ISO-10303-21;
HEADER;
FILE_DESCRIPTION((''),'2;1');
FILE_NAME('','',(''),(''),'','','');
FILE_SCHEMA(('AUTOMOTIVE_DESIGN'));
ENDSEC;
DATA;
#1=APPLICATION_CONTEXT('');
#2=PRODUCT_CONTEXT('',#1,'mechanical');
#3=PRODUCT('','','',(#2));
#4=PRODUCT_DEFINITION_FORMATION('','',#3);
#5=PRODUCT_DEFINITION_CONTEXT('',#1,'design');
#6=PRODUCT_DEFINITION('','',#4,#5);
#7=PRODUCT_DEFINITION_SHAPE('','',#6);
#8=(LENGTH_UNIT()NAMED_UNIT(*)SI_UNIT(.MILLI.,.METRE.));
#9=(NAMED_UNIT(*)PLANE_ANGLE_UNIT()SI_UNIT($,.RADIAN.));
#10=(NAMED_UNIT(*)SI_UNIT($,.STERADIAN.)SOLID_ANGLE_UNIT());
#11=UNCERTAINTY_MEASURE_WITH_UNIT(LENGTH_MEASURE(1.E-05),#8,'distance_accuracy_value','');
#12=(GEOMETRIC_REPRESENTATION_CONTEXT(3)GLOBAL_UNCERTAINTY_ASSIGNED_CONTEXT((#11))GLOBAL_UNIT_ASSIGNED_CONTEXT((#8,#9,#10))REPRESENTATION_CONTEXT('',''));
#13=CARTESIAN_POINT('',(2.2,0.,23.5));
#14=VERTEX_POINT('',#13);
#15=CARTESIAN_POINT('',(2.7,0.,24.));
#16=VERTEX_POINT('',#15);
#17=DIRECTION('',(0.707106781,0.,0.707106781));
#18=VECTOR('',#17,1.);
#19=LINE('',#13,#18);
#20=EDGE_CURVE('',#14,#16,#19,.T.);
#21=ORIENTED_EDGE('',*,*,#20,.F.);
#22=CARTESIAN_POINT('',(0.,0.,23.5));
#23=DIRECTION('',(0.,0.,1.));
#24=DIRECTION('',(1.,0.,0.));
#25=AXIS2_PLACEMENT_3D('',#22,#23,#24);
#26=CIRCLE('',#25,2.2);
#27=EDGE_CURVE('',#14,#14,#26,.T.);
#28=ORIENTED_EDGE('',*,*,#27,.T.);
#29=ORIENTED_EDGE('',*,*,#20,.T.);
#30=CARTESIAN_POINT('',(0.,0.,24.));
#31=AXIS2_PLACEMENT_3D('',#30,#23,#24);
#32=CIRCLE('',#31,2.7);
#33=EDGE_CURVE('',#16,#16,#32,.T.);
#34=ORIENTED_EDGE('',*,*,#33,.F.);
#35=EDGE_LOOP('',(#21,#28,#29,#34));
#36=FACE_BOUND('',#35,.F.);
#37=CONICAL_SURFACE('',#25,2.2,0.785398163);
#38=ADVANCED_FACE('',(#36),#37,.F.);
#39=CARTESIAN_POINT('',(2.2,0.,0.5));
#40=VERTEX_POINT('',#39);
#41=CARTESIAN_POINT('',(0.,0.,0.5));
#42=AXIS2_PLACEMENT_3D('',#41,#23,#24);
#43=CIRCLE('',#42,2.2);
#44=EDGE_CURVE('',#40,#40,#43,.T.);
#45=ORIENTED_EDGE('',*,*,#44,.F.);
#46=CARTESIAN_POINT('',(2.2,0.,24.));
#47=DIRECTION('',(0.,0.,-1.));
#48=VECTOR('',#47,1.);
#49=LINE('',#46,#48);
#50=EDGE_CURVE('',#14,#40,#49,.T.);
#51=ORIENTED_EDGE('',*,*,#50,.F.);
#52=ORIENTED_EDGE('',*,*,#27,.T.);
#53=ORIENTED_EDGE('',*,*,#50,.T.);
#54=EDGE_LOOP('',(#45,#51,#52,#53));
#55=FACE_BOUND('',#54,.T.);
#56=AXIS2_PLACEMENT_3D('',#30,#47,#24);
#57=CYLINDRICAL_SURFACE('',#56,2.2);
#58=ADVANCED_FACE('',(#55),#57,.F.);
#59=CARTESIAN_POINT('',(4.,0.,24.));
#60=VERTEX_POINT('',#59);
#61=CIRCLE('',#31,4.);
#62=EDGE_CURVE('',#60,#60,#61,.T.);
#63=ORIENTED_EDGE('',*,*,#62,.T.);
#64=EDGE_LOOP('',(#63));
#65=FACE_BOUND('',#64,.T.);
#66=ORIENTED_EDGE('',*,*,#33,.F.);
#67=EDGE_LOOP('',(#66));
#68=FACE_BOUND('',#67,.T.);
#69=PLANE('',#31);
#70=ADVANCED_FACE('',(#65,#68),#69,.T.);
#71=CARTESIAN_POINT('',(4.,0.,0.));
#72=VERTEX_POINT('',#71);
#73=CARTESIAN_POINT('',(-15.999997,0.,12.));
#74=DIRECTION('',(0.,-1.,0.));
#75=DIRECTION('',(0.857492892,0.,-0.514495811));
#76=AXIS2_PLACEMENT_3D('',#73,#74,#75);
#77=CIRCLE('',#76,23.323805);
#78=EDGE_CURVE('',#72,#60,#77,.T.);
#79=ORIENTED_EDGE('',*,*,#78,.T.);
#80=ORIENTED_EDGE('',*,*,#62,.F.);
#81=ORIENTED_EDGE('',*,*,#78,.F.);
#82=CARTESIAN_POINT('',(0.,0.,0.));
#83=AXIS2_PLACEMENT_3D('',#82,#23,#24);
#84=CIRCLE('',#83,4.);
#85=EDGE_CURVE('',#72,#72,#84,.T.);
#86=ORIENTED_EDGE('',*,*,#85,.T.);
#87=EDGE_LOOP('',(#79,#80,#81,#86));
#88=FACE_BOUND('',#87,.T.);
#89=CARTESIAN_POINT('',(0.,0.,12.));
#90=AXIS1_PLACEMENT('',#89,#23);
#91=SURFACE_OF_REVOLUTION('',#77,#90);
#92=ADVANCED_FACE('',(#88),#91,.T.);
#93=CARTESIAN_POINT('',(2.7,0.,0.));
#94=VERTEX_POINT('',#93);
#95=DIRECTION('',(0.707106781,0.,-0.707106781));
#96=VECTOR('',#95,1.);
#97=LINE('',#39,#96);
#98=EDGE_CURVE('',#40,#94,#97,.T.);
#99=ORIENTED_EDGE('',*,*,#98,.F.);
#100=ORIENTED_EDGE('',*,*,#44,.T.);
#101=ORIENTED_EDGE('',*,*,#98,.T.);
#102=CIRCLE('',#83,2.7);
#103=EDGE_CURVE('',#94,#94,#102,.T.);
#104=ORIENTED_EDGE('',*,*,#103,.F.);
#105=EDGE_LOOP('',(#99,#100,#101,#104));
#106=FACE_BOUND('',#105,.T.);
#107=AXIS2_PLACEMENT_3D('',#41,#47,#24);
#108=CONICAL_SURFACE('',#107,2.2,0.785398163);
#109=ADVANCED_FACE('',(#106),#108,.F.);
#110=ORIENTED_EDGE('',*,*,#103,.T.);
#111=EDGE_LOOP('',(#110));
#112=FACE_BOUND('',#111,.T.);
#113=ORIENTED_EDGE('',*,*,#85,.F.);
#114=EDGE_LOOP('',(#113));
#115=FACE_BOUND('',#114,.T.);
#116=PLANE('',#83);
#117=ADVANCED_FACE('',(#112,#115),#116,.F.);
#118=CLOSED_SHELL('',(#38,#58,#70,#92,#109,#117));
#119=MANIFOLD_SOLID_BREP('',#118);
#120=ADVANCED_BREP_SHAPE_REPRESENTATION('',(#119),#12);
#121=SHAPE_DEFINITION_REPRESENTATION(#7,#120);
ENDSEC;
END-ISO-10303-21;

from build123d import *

# Parameters (mm, degrees)
F2_SIZE = 0.5


with BuildPart() as f1:
    # F0 (on Front) → F1 (revolve)
    with BuildSketch(Plane.XZ):
        with BuildLine():
            Line((2.2, 24), (2.2, 0))
            Line((2.2, 0), (4, 0))
            ThreePointArc((4, 0), (7.323808, 12), (4, 24))
            Line((4, 24), (2.2, 24))
        make_face()
    revolve(axis=Axis((0, 0, 12), (0, 0, 1)))

    # F2
    f2_edges = [f1.edges().sort_by_distance(p)[0] for p in [
        (-2.2, 0, 24),
        (-2.2, 0, 0),
    ]]
    chamfer(f2_edges, length=F2_SIZE)


solid = f1.part
